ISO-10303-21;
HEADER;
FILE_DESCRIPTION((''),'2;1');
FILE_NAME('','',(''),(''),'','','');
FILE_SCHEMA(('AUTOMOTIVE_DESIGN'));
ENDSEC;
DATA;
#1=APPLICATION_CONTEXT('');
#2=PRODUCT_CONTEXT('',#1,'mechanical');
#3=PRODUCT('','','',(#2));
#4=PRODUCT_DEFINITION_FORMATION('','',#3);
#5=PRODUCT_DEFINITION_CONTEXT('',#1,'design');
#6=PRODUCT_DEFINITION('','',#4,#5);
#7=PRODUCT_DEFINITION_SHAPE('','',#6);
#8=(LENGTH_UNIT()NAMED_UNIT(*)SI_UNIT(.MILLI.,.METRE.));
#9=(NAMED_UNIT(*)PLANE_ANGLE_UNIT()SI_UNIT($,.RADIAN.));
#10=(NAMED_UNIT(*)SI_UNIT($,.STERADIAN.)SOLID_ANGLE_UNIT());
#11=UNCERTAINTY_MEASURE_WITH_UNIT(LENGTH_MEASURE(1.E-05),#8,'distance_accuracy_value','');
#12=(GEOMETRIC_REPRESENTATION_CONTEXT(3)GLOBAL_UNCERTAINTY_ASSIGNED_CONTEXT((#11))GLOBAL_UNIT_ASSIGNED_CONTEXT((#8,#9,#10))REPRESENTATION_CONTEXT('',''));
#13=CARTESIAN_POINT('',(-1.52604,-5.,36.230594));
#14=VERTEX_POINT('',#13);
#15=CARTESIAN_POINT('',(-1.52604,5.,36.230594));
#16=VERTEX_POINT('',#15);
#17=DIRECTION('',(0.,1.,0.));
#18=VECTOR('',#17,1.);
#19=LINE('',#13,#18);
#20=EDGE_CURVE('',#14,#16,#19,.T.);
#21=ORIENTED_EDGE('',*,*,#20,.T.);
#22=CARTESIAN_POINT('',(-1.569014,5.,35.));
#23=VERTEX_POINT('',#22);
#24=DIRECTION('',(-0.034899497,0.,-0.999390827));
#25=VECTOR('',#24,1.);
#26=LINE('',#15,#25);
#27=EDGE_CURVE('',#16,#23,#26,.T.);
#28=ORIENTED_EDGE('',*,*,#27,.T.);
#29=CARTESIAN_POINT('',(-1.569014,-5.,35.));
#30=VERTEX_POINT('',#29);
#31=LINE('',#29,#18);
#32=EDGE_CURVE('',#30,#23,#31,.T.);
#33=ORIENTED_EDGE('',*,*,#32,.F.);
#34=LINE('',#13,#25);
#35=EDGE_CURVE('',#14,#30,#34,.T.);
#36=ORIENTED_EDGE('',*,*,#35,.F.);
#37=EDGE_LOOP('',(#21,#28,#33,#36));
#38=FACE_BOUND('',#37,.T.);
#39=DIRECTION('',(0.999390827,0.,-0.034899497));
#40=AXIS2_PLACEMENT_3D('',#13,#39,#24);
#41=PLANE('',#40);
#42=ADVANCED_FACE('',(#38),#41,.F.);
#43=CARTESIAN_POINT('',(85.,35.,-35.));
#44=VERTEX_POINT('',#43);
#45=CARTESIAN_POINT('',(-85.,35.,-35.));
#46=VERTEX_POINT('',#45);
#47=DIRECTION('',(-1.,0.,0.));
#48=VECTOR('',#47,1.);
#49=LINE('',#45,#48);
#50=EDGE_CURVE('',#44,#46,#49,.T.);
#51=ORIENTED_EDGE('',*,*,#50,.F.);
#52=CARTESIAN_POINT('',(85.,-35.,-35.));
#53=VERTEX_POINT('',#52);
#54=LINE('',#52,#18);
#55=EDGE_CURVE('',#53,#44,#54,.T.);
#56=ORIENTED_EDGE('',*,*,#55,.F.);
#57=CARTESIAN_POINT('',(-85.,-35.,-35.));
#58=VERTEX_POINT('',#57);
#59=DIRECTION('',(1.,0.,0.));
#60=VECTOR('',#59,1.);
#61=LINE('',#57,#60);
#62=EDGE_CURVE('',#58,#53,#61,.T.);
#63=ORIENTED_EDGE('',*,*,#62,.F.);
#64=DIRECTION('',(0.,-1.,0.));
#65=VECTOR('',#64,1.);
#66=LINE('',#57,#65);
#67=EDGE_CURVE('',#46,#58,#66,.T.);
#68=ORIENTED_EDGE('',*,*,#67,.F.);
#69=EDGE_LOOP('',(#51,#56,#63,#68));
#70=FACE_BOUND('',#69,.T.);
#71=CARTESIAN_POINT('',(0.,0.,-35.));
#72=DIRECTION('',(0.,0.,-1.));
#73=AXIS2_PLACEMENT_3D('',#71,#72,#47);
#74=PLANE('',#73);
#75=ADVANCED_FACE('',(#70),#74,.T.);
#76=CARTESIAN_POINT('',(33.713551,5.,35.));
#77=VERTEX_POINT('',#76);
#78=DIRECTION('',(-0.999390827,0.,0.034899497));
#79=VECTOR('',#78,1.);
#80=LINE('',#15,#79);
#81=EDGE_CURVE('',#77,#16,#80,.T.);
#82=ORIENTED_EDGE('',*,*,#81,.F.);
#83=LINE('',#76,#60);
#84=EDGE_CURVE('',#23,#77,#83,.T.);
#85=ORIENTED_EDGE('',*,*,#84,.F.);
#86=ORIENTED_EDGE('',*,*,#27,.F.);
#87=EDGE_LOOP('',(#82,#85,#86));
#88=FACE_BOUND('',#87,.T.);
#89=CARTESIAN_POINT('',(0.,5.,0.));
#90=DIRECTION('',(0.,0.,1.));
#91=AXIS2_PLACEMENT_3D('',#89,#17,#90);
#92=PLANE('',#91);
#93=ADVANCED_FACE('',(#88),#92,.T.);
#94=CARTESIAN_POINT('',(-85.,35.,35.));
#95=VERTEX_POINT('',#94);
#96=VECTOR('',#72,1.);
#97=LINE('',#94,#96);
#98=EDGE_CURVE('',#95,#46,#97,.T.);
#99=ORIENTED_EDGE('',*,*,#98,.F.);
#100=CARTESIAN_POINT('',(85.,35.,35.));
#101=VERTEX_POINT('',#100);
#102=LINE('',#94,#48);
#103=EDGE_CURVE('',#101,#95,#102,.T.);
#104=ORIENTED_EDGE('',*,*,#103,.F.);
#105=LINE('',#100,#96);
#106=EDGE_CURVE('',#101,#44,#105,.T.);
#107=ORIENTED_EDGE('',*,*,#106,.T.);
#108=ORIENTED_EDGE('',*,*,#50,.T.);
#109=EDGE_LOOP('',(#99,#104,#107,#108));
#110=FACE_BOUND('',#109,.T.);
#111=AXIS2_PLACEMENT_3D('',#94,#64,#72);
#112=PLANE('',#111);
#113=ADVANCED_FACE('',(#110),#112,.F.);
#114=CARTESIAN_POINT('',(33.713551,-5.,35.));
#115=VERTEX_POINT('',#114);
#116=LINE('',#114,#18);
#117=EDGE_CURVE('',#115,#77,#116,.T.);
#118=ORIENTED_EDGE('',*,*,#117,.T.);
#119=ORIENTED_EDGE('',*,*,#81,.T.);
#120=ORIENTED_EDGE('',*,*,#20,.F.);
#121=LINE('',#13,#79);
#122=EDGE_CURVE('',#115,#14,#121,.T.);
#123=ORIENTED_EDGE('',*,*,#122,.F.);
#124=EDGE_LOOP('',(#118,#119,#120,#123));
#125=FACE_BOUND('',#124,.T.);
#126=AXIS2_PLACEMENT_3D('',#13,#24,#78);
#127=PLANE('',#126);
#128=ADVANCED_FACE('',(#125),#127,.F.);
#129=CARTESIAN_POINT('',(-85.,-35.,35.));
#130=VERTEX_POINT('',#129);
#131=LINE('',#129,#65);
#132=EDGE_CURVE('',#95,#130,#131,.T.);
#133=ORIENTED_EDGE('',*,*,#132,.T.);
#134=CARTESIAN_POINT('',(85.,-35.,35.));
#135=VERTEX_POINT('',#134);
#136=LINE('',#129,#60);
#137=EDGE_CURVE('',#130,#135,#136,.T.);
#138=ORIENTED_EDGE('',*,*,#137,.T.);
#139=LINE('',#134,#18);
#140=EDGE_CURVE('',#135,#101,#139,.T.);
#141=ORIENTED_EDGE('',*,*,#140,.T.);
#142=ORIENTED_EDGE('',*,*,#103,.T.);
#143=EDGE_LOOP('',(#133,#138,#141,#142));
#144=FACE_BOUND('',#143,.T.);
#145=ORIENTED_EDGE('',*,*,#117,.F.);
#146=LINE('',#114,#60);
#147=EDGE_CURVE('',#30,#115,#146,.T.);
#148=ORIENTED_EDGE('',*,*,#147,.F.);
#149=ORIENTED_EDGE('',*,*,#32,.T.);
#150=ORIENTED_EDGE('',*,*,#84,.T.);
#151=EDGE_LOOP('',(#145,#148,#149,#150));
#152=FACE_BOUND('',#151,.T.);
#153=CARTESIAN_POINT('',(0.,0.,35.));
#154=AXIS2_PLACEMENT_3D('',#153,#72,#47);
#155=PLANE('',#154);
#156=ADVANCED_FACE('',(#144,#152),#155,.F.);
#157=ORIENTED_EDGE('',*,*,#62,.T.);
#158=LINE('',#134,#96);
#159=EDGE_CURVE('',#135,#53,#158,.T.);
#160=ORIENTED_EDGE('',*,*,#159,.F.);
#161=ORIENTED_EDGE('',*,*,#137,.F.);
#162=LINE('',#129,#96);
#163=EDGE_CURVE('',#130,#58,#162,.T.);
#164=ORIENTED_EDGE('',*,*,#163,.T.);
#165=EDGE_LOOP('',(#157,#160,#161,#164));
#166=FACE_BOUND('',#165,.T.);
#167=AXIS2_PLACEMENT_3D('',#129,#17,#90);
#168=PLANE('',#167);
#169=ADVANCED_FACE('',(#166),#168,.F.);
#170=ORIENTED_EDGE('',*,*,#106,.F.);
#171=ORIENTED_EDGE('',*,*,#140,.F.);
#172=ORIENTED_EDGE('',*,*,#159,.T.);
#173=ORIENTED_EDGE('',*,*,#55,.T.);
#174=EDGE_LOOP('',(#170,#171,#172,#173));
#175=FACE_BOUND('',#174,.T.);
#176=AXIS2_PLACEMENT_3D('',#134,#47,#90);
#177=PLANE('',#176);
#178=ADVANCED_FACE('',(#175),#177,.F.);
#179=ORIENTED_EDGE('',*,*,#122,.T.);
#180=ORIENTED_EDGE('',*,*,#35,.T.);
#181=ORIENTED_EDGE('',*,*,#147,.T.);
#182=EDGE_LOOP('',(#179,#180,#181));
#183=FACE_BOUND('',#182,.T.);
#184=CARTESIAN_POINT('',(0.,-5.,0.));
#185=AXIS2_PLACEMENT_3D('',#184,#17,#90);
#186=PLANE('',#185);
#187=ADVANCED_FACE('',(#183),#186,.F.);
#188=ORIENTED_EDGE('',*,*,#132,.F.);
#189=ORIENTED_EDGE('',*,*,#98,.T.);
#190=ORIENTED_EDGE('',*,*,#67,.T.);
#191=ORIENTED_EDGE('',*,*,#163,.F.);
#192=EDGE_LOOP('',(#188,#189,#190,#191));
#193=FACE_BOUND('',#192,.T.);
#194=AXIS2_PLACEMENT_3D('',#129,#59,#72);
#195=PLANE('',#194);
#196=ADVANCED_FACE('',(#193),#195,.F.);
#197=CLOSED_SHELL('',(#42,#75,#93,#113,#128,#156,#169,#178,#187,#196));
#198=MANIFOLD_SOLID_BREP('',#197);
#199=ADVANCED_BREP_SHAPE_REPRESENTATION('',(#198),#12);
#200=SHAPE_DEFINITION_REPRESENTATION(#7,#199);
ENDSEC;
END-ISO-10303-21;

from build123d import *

# Parameters (mm, degrees)
SKETCH_1_W      = 170
SKETCH_1_H      = 70
EXTRUDE_1_DEPTH = 35
EXTRUDE_START   = -35
EXTRUDE_2_DEPTH = 5


with BuildPart() as part:
    # Эскиз1 → Бобышка-Вытянуть1 (new body, symmetric)
    with BuildSketch(Plane.XY):
        Rectangle(SKETCH_1_W, SKETCH_1_H)
    extrude(amount=EXTRUDE_1_DEPTH, both=True)

    # Эскиз2 → Бобышка-Вытянуть2 (add, symmetric)
    with BuildSketch(Plane.XZ.offset(35).offset(EXTRUDE_START)):
        Polygon((33.713551402, 35), (-1.569013743, 35), (-1.526040465, 36.230593665), align=None)
    extrude(amount=EXTRUDE_2_DEPTH, both=True)


solid = part.part
